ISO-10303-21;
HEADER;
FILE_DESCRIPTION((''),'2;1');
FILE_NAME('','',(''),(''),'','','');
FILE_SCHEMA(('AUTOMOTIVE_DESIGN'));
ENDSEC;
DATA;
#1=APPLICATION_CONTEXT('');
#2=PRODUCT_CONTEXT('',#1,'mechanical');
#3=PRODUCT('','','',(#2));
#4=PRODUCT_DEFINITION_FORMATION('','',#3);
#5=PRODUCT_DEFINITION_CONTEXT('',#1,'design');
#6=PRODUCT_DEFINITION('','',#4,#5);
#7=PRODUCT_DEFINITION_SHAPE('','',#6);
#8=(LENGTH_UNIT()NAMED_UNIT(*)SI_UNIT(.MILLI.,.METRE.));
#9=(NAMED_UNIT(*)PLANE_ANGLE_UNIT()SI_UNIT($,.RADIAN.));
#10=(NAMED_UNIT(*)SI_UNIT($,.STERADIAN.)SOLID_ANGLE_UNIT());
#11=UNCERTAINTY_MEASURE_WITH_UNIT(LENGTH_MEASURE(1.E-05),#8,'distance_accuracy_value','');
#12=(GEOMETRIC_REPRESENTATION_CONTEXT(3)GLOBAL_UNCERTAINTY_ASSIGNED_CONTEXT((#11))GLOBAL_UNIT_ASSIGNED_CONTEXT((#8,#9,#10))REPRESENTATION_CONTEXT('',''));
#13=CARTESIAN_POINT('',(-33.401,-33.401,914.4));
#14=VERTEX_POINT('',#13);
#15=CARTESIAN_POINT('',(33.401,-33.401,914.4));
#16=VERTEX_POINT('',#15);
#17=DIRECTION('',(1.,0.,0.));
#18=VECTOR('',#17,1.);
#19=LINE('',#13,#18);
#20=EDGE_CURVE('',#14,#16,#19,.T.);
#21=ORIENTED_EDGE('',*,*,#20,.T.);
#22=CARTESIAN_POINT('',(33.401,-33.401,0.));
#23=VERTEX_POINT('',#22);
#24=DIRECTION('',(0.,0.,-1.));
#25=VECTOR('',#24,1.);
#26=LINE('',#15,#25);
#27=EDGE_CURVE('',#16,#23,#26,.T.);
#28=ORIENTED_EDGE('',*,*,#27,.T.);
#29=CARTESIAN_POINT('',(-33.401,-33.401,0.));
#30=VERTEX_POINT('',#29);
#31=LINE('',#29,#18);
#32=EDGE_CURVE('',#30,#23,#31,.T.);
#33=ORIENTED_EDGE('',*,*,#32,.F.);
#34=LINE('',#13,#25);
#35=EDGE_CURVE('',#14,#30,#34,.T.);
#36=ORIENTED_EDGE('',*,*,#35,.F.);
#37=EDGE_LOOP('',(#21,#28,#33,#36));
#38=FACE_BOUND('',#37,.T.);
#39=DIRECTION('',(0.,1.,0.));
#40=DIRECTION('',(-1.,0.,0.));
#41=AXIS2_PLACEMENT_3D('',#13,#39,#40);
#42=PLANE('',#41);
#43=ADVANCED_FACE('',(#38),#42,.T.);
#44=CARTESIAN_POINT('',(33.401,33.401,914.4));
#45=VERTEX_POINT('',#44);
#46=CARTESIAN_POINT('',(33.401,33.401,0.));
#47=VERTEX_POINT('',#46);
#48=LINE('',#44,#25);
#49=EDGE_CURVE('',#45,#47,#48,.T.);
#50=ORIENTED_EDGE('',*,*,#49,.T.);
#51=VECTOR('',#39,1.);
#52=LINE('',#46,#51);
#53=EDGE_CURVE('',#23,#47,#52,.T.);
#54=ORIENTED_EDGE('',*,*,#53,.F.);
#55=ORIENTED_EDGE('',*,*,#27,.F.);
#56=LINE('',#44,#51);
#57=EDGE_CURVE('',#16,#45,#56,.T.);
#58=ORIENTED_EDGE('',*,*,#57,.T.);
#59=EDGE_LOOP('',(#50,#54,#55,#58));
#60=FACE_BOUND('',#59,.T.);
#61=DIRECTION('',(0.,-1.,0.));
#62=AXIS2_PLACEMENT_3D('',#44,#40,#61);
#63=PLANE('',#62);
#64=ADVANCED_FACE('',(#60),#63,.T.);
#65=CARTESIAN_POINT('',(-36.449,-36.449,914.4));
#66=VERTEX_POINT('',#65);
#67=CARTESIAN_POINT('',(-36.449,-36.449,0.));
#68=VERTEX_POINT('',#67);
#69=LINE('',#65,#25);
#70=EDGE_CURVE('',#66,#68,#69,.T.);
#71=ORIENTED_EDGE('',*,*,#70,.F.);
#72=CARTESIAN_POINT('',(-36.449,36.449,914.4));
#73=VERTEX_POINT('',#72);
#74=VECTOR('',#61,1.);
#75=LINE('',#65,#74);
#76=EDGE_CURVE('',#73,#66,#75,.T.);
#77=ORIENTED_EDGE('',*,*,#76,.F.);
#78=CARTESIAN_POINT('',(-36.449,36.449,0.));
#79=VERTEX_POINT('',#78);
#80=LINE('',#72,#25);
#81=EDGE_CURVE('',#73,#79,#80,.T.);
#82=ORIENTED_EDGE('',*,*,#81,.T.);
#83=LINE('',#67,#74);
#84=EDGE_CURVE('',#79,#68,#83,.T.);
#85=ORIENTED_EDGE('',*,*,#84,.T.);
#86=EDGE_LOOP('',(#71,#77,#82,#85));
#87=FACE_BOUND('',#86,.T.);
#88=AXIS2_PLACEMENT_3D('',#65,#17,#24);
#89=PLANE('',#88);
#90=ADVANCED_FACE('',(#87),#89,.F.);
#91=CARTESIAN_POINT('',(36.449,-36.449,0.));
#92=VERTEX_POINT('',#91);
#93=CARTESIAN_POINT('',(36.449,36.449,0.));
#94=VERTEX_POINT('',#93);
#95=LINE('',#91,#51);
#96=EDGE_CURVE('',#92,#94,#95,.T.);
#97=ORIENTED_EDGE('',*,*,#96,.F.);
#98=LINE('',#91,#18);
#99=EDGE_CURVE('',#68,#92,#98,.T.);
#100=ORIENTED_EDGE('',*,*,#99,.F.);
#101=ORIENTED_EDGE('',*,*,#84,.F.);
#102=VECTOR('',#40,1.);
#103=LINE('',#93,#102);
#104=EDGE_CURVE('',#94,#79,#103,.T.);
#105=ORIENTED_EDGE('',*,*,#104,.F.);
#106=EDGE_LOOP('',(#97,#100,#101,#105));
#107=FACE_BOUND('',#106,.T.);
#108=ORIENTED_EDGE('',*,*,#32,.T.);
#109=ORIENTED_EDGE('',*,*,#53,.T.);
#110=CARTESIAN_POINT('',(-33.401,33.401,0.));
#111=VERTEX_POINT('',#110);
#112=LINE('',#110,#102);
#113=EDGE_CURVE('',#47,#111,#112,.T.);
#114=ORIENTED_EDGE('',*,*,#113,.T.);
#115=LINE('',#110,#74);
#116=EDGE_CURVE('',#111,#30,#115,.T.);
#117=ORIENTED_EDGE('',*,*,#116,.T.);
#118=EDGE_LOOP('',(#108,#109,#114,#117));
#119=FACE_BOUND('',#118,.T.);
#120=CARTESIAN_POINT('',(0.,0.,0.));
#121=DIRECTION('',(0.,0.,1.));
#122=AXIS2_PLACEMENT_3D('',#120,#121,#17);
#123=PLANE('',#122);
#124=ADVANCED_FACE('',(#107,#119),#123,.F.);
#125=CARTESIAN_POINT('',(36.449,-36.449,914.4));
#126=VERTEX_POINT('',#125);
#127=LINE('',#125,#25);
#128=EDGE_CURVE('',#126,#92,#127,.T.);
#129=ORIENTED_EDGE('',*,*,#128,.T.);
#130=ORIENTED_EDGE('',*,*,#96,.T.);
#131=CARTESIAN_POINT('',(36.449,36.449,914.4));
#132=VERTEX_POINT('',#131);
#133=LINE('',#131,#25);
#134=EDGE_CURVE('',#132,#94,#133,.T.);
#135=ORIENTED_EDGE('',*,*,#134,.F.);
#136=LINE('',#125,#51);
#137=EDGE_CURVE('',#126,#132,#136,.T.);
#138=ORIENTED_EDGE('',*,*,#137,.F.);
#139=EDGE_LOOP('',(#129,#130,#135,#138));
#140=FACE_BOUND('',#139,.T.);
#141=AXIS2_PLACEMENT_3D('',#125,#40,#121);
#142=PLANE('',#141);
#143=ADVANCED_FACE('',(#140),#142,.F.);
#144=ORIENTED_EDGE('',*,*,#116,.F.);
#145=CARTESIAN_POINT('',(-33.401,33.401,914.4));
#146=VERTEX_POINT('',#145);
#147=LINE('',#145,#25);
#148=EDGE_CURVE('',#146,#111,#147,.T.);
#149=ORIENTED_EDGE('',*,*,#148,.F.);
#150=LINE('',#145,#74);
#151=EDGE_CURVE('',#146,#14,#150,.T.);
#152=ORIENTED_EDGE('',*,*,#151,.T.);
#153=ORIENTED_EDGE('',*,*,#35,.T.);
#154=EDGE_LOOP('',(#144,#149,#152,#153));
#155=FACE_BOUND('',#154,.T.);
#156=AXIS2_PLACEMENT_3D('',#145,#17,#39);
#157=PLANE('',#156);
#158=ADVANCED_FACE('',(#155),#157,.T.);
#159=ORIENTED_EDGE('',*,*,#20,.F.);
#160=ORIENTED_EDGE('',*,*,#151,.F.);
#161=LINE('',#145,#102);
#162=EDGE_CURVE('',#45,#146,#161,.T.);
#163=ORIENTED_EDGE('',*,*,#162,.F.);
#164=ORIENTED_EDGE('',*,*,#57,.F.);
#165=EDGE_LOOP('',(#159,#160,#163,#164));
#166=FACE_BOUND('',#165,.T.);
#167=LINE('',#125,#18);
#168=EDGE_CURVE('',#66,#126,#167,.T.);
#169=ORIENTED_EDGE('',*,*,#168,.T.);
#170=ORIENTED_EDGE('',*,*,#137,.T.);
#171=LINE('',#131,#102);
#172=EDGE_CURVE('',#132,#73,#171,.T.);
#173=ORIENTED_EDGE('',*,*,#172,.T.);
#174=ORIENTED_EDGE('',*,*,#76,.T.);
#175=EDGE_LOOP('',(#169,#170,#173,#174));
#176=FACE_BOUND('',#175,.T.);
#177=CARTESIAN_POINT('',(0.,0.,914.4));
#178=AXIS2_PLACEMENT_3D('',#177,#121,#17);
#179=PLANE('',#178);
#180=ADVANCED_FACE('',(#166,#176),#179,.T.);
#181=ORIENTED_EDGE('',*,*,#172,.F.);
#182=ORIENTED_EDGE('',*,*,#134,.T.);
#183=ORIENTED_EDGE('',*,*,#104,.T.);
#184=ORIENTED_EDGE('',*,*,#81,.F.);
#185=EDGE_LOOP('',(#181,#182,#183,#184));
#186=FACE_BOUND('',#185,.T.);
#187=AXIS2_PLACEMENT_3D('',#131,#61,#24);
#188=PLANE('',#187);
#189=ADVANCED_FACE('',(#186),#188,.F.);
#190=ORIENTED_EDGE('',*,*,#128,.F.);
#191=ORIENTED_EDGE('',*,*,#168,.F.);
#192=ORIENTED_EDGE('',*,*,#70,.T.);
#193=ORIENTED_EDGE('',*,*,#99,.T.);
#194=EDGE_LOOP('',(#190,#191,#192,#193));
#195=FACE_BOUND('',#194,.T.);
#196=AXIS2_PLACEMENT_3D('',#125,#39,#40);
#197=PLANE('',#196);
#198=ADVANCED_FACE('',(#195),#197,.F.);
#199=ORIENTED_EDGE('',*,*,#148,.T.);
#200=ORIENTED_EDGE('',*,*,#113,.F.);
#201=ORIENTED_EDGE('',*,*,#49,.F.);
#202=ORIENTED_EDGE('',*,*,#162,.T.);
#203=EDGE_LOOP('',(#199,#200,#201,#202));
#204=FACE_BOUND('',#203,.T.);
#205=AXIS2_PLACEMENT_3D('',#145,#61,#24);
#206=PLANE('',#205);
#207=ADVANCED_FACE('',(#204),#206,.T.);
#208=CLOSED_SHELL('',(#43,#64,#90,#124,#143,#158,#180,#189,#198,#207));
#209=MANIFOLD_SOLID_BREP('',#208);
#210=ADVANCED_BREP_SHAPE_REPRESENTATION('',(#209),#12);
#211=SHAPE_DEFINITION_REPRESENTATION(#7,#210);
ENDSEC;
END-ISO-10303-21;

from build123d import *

# Parameters (mm, degrees)
SKETCH1_W           = 72.898
SKETCH1_H           = 72.898
SKETCH1_W_2         = 66.802
SKETCH1_H_2         = 66.802
BOSS_EXTRUDE1_DEPTH = 914.4


with BuildPart() as part:
    # Sketch1 → Boss-Extrude1 (new body)
    with BuildSketch(Plane.XY):
        Rectangle(SKETCH1_W, SKETCH1_H)
        Rectangle(SKETCH1_W_2, SKETCH1_H_2, mode=Mode.SUBTRACT)
    extrude(amount=BOSS_EXTRUDE1_DEPTH)


solid = part.part
